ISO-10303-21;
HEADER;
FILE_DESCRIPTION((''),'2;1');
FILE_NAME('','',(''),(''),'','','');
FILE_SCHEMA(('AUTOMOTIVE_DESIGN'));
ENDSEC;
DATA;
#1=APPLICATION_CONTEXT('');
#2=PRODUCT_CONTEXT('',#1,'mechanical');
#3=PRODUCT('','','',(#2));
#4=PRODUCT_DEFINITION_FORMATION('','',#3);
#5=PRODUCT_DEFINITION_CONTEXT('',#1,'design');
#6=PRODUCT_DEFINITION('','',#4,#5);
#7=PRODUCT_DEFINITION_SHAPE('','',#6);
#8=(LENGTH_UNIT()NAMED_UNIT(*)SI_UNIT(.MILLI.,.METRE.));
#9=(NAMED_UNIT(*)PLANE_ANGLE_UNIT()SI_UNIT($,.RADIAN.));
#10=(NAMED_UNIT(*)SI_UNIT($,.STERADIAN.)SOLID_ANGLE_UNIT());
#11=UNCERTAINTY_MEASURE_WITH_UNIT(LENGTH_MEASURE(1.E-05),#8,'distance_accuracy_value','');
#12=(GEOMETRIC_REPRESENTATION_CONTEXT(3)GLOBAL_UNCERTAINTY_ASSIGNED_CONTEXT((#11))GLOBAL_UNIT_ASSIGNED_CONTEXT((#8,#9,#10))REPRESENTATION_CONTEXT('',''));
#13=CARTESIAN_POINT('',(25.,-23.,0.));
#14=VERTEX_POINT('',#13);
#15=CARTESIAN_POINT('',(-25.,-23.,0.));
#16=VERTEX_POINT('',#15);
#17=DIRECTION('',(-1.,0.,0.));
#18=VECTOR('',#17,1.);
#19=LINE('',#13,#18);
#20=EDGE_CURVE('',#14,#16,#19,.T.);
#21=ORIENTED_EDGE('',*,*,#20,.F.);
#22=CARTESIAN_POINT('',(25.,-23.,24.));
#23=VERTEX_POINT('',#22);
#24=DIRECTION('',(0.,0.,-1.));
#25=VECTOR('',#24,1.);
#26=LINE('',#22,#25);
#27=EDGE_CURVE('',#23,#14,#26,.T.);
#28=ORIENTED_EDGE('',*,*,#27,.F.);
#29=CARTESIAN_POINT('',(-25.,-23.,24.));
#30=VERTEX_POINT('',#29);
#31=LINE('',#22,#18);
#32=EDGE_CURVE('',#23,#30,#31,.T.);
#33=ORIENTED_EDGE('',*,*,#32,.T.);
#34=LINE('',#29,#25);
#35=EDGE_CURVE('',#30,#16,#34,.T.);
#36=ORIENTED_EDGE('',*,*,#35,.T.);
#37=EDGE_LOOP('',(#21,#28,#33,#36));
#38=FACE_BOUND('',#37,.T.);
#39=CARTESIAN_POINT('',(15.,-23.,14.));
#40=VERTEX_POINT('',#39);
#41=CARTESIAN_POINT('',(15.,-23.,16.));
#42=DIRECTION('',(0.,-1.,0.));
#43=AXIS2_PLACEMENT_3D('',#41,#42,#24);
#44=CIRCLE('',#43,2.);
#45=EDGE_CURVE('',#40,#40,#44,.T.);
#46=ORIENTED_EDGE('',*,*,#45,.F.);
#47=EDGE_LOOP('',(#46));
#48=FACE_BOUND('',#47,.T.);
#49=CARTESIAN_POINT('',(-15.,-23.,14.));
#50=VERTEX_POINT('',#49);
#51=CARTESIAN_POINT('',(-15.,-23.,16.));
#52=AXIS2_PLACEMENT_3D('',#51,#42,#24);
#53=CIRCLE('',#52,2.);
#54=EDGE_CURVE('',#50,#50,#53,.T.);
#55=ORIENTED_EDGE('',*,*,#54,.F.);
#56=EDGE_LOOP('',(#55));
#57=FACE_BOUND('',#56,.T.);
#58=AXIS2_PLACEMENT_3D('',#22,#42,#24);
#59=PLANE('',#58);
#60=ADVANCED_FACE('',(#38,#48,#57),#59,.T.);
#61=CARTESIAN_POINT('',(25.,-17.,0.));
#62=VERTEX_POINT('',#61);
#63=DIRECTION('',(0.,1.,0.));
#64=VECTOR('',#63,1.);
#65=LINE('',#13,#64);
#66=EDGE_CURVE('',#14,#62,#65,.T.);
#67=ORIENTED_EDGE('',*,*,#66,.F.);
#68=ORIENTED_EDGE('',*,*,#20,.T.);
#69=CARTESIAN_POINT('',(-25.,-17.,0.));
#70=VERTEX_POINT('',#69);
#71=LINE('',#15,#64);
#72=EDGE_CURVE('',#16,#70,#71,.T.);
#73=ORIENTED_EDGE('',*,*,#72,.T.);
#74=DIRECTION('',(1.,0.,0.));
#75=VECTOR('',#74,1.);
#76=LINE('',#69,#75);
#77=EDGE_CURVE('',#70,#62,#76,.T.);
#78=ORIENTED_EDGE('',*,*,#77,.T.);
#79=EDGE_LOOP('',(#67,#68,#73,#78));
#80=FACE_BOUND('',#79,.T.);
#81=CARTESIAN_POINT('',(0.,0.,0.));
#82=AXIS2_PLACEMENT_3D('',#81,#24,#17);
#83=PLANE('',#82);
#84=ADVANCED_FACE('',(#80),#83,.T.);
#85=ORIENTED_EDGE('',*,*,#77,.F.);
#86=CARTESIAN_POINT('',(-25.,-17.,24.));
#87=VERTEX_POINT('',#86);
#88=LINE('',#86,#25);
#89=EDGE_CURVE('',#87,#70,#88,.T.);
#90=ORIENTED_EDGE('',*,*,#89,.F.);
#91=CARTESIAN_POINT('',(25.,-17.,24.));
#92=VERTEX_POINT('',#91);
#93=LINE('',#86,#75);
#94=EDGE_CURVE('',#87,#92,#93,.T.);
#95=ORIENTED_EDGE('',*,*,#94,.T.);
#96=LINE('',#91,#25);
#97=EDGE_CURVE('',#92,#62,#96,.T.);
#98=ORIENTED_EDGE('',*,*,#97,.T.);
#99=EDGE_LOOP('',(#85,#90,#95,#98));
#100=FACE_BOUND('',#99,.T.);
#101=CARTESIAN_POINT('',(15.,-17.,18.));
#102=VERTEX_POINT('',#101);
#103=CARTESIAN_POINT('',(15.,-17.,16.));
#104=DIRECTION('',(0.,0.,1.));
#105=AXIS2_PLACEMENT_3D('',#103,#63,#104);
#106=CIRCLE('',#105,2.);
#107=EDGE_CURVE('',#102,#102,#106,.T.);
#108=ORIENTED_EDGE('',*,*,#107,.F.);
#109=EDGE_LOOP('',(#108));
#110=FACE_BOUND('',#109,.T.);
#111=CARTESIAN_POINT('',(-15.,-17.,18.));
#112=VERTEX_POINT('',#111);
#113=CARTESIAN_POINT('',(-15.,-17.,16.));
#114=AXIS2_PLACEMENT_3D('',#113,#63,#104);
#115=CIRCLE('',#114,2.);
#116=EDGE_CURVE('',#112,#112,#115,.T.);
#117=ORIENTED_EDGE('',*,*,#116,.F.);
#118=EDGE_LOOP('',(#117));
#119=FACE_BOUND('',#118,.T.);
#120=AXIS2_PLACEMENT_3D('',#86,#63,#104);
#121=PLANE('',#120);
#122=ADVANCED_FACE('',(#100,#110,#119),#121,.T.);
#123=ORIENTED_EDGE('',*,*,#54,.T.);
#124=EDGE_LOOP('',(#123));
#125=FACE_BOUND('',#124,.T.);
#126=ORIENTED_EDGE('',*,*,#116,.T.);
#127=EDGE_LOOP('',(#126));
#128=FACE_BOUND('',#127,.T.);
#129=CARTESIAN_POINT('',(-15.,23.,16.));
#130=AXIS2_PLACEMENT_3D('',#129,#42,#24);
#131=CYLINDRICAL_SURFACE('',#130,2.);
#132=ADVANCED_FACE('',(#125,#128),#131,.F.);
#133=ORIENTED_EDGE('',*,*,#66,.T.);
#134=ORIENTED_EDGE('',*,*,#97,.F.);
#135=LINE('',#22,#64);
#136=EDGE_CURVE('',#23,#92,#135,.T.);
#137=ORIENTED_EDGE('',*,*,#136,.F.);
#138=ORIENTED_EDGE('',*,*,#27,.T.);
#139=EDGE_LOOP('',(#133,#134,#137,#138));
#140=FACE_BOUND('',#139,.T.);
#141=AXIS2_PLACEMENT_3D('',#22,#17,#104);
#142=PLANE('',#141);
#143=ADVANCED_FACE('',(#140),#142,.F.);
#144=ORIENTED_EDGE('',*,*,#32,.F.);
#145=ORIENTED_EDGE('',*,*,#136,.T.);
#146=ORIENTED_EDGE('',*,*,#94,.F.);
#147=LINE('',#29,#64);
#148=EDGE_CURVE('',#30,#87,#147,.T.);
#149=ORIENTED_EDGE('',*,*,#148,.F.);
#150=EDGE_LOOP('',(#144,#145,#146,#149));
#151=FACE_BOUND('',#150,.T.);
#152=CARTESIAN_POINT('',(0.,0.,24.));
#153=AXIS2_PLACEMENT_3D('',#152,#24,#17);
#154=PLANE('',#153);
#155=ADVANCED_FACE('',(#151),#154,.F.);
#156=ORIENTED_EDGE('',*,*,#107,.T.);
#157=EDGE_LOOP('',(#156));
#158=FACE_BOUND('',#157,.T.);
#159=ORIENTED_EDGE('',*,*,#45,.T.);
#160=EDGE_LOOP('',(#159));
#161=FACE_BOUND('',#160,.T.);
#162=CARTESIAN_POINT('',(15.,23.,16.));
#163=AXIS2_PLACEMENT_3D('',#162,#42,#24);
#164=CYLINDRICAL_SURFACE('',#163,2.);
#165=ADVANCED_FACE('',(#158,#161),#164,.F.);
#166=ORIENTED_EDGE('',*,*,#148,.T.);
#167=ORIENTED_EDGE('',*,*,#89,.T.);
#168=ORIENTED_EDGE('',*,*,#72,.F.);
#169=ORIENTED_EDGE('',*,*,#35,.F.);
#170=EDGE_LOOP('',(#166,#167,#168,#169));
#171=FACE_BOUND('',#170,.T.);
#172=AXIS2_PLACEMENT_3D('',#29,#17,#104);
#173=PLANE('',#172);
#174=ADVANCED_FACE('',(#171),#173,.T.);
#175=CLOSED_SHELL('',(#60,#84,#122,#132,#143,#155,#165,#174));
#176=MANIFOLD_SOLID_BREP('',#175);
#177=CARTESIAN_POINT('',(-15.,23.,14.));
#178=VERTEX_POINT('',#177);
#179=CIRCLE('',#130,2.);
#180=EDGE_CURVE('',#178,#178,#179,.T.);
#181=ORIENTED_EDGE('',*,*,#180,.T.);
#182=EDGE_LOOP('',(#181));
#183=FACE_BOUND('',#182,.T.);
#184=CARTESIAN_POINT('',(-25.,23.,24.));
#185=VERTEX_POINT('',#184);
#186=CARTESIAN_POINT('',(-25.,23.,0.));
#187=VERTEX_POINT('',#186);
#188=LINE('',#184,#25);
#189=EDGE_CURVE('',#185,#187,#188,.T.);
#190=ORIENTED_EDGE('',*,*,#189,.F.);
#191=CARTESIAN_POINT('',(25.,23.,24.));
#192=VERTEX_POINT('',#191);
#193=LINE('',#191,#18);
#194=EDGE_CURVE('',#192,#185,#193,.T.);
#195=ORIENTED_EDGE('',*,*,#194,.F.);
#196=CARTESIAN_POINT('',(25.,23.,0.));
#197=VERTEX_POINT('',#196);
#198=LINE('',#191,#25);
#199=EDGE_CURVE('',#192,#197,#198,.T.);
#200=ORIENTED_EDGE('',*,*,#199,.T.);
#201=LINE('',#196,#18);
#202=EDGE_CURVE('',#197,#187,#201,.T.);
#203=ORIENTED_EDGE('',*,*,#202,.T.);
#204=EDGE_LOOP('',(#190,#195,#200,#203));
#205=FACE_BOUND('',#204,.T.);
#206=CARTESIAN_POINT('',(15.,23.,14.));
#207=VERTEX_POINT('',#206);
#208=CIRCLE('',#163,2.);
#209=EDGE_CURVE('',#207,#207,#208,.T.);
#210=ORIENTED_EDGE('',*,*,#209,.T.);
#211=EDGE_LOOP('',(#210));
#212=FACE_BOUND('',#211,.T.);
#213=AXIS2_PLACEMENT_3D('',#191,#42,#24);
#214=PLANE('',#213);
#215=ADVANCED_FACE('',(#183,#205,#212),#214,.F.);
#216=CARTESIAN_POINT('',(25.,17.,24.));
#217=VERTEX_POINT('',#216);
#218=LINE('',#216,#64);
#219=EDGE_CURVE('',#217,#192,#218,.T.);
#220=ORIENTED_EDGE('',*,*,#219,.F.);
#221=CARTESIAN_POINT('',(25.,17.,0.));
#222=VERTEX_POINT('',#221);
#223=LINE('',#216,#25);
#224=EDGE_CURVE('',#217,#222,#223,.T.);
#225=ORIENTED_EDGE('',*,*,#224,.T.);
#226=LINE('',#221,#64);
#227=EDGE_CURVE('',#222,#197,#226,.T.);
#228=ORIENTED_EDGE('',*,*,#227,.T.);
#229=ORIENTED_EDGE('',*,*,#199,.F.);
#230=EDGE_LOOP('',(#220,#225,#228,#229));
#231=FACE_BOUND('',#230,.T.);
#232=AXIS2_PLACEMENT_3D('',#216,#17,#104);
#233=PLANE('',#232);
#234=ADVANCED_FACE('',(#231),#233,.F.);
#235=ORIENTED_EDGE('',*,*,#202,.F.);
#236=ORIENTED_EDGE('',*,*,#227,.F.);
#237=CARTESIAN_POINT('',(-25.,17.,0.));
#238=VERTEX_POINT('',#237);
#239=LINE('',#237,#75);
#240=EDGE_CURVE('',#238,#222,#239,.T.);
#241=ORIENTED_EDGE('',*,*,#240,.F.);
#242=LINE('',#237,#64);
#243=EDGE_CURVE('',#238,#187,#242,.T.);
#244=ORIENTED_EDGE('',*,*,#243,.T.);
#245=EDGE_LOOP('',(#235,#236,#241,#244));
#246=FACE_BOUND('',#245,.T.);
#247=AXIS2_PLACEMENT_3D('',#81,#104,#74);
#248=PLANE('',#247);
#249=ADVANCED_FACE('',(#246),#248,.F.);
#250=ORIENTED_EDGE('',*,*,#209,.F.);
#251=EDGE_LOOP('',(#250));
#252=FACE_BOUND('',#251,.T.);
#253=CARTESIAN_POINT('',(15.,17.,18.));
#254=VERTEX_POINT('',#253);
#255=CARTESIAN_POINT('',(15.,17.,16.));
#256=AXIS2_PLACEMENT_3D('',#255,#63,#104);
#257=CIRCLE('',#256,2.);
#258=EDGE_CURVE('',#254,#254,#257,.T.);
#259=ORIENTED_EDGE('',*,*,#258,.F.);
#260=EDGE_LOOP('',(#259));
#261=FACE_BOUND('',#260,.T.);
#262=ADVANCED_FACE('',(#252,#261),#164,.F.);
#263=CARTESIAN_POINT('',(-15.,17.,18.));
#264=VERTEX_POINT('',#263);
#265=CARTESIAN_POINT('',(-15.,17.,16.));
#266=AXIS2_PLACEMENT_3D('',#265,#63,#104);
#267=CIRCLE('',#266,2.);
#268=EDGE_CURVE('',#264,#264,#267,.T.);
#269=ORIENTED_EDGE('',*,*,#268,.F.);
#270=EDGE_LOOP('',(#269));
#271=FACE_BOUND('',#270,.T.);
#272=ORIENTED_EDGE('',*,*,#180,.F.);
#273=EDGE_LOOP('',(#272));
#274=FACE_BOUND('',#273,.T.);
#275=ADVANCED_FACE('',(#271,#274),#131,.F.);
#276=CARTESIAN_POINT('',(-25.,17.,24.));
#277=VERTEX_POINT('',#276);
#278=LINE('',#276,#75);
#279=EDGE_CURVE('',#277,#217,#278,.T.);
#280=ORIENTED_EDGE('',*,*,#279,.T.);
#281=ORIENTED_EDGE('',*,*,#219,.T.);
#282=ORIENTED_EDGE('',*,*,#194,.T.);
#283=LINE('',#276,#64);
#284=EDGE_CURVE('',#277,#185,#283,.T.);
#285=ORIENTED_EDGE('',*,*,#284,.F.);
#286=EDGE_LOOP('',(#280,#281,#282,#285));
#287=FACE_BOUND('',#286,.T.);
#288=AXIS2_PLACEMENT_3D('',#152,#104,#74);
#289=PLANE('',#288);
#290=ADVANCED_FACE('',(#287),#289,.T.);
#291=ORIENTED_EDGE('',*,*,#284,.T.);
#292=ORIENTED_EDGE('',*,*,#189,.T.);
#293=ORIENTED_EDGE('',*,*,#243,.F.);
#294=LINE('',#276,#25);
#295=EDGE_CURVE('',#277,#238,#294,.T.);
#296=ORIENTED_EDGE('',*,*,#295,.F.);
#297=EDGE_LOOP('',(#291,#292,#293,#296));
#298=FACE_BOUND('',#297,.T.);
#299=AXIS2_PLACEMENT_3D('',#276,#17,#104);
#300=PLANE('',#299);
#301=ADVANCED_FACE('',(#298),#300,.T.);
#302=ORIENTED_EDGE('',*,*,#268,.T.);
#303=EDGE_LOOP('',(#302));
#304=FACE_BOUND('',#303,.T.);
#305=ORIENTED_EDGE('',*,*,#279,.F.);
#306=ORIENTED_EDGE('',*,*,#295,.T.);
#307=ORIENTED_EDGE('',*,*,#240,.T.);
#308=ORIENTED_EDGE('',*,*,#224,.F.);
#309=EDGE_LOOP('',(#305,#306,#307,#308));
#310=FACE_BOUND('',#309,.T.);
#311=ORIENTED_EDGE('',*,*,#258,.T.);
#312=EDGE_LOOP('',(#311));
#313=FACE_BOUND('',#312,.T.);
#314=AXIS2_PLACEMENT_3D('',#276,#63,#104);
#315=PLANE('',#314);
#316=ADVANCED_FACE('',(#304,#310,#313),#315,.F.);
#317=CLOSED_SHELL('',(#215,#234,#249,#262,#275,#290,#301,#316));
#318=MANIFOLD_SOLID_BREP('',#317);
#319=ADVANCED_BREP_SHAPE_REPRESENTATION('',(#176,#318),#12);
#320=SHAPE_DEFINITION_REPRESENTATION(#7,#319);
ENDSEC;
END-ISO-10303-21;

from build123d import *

# Parameters (mm, degrees)
SKETCH_1_W          = 50
SKETCH_1_H          = 6
EXTRUDE_1_DEPTH     = 24
EXTRUDE_1_2_DEPTH   = 24
SKETCH_2_R          = 2
CUT_EXTRUDE_1_DEPTH = 58.5934024


with BuildPart() as part:
    # 草图1 → 凸台-拉伸1 (new body)
    with BuildSketch(Plane.XY):
        with Locations((0, -20)):
            Rectangle(SKETCH_1_W, SKETCH_1_H)
    extrude(amount=EXTRUDE_1_DEPTH)


with BuildPart() as body_2:
    # 草图1 → Extrude 1 2 (new body)
    with BuildSketch(Plane.XY):
        with Locations((0, 20)):
            Rectangle(SKETCH_1_W, SKETCH_1_H)
    extrude(amount=EXTRUDE_1_2_DEPTH)


with BuildPart() as cut_extrude_1_tool:
    # 草图2 → 切除-拉伸1 (new, through all)
    with BuildSketch(Plane.XZ.offset(23)):
        with Locations(Location((-15, 16, 0), (0, 0, 270))):
            Circle(SKETCH_2_R)
        with Locations(Location((15, 16, 0), (0, 0, 270))):
            Circle(SKETCH_2_R)
    extrude(amount=-CUT_EXTRUDE_1_DEPTH)


with BuildPart() as part_1:
    add(part.part)

    # 切除-拉伸1: cut by cut_extrude_1_tool
    add(cut_extrude_1_tool.part, mode=Mode.SUBTRACT)


with BuildPart() as body_2_1:
    add(body_2.part)

    # 切除-拉伸1: cut by cut_extrude_1_tool
    add(cut_extrude_1_tool.part, mode=Mode.SUBTRACT)


solid = Compound([part_1.part, body_2_1.part])
